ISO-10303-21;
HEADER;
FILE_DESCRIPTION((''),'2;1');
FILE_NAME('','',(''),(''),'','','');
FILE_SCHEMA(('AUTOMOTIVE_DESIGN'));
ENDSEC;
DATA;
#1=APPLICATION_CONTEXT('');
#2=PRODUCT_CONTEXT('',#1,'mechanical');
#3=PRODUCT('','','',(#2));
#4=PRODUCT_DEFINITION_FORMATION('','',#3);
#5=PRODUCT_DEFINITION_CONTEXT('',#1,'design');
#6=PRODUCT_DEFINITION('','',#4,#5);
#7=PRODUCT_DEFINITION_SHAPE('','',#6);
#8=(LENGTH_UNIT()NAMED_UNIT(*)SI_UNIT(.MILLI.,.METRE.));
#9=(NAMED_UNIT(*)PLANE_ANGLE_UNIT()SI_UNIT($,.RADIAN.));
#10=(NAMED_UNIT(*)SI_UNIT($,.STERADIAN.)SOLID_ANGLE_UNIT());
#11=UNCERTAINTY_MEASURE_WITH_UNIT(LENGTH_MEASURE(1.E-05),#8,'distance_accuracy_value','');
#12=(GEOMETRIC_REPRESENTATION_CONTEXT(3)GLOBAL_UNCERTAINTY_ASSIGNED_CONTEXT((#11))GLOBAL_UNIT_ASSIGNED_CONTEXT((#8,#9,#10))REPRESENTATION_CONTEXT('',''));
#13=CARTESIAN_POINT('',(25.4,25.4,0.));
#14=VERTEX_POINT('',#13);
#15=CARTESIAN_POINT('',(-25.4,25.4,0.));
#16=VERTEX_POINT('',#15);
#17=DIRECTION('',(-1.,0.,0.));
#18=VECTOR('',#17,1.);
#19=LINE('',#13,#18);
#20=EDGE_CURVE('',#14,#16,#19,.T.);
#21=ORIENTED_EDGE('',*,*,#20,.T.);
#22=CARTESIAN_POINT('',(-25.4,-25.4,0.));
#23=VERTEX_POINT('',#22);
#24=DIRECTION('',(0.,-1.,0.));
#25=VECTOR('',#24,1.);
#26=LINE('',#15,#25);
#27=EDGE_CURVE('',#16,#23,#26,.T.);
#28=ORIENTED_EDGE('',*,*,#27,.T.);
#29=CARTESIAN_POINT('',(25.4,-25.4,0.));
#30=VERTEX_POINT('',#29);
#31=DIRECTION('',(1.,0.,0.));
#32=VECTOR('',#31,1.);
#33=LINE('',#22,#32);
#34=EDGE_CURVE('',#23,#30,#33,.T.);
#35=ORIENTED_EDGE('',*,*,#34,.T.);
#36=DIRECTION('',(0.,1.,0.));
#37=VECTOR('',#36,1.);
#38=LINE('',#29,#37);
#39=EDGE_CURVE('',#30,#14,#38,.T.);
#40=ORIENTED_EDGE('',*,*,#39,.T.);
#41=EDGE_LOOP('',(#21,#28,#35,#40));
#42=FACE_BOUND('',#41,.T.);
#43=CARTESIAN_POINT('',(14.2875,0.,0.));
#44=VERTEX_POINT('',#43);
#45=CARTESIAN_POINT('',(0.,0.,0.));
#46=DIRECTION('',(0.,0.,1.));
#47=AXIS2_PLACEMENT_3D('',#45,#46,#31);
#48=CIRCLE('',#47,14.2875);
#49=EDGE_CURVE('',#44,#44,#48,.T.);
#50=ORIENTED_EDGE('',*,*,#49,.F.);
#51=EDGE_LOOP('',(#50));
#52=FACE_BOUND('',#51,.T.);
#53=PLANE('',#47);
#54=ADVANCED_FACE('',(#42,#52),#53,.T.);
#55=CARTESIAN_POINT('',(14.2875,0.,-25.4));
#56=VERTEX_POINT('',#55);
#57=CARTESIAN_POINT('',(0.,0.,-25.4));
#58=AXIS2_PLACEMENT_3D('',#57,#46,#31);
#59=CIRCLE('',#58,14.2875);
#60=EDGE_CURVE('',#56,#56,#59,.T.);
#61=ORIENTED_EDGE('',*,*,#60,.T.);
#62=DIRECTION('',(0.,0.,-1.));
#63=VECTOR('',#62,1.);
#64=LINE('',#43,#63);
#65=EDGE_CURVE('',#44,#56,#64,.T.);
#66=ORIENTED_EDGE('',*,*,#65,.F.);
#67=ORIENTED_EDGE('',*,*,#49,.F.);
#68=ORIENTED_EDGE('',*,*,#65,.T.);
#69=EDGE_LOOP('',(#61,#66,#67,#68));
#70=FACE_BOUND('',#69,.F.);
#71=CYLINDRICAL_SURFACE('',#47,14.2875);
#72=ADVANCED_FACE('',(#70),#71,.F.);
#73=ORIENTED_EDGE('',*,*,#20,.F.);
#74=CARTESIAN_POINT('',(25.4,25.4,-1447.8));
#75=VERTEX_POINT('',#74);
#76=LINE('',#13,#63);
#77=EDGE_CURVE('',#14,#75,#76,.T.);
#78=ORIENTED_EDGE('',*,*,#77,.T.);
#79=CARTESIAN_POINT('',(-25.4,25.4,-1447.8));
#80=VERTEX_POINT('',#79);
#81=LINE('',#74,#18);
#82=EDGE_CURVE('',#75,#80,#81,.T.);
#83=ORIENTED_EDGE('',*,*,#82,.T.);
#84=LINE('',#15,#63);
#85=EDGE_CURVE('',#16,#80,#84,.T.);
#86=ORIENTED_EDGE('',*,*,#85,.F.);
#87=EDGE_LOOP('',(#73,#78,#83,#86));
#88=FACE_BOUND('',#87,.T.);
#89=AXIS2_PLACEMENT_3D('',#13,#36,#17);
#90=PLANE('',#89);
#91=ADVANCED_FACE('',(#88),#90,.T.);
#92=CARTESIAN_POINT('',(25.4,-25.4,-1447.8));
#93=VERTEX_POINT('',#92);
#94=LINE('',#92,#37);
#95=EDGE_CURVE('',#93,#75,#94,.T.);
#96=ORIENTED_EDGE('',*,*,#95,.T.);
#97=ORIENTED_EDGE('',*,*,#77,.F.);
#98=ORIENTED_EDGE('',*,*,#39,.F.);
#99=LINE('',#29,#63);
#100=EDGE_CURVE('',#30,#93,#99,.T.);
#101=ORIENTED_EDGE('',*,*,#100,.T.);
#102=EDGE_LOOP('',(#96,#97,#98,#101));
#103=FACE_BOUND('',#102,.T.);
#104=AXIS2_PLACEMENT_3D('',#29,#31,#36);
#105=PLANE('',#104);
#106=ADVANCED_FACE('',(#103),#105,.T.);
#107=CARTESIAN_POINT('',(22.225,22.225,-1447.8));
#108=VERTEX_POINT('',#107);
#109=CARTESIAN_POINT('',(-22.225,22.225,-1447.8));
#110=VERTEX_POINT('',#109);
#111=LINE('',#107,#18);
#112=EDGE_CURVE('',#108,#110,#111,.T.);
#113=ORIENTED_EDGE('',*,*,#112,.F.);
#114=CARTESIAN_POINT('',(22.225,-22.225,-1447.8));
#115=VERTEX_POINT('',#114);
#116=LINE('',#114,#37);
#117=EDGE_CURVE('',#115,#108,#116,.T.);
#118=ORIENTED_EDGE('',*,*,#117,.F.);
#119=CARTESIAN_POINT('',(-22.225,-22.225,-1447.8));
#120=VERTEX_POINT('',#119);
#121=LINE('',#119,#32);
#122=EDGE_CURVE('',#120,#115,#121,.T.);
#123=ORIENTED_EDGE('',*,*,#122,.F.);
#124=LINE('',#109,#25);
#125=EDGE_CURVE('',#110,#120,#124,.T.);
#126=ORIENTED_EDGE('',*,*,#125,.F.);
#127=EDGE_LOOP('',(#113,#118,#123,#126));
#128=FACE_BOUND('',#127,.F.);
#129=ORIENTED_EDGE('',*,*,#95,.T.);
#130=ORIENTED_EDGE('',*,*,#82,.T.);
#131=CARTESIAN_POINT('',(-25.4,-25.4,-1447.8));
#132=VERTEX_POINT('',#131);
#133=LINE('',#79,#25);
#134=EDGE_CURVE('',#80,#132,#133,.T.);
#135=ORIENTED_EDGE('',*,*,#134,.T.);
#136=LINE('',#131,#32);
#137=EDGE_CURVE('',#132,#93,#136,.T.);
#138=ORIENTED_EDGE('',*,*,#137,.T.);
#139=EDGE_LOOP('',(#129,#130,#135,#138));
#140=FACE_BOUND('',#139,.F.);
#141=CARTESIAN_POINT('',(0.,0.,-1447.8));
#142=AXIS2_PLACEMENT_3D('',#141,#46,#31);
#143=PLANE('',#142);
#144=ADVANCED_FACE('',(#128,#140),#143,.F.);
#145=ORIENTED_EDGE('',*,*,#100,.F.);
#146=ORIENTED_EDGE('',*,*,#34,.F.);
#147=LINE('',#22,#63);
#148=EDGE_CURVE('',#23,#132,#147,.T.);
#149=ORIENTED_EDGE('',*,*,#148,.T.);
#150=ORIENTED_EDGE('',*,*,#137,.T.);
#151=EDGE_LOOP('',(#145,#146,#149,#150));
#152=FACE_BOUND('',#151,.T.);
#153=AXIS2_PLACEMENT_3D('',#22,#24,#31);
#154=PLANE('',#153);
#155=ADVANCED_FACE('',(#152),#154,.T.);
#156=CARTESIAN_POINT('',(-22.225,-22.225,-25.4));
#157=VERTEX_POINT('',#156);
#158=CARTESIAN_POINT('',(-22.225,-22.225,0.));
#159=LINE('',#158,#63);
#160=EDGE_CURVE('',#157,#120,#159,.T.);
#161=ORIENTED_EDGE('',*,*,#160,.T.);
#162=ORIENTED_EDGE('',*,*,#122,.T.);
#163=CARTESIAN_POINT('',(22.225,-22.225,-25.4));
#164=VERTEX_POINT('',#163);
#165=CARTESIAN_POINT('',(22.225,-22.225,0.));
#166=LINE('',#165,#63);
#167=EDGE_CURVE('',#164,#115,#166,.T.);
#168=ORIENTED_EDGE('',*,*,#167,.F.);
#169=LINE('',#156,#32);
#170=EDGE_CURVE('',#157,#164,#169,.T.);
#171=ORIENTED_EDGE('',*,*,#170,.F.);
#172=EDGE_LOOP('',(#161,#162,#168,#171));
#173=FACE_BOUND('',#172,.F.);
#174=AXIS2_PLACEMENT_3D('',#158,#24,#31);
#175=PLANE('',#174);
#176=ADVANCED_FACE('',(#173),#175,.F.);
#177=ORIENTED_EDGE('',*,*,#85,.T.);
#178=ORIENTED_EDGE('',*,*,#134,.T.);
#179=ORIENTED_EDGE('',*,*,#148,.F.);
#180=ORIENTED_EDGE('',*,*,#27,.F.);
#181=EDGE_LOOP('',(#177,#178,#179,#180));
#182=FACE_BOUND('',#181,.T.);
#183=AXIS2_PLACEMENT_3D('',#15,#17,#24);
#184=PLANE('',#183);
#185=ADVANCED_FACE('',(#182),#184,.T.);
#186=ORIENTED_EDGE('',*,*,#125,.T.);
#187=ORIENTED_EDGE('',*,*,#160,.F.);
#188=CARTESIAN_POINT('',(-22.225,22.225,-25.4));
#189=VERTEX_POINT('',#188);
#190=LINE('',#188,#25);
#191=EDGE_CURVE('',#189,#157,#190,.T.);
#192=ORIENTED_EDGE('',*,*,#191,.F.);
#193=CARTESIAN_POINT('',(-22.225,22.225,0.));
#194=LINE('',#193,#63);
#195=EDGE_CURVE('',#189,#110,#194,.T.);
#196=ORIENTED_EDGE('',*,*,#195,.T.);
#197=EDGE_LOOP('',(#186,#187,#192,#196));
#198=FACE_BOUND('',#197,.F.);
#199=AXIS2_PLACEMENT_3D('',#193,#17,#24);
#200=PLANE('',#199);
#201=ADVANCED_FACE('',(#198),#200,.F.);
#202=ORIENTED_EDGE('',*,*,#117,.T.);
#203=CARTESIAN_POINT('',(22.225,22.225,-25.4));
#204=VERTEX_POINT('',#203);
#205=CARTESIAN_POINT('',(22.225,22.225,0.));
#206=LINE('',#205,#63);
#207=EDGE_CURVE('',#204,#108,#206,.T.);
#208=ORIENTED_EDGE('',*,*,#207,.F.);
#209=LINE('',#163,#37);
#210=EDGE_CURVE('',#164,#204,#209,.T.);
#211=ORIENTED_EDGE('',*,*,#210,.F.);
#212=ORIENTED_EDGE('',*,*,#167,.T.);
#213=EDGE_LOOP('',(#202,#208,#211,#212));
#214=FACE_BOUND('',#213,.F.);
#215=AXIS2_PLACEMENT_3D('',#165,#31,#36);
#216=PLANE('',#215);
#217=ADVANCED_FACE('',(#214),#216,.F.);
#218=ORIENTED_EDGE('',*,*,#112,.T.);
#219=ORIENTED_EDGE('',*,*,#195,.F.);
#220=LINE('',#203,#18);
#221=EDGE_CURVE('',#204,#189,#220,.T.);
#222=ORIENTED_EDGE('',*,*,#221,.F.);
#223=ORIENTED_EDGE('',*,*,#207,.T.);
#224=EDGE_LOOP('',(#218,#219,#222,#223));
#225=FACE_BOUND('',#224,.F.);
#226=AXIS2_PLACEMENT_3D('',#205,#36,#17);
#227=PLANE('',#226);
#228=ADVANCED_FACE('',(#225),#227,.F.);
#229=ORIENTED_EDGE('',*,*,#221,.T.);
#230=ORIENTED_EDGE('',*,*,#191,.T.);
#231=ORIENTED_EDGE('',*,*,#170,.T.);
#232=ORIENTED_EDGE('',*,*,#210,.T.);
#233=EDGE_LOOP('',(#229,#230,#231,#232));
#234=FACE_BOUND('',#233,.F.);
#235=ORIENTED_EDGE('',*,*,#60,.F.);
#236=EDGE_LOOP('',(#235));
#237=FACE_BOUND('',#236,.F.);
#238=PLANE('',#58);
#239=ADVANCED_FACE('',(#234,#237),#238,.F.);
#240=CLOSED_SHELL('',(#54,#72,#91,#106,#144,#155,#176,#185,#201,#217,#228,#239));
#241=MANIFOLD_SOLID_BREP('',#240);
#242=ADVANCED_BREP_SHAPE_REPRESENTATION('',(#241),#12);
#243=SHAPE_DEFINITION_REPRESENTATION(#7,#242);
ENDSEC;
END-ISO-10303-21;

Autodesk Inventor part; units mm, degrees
ref_plane "YZ Plane" through (0, 0, 0) normal (1, 0, 0) x (0, 1, 0)
ref_plane "XZ Plane" through (0, 0, 0) normal (0, 1, 0) x (-1, 0, 0)
ref_plane "XY Plane" through (0, 0, 0) normal (0, 0, 1) x (1, 0, 0)
sketch "Sketch1" plane through (0, 0, 0) normal (0, 0, 1) x (1, 0, 0)
  line L0 (-25.4, -25.4) -> (25.4, -25.4)
  line L1 (25.4, -25.4) -> (25.4, 25.4)
  line L2 (25.4, 25.4) -> (-25.4, 25.4)
  line L3 (-25.4, 25.4) -> (-25.4, -25.4)
  line L4 (-25.4, -25.4) -> (25.4, 25.4) construction
  line L5 (25.4, -25.4) -> (-25.4, 25.4) construction
  line L6 (-22.225, -22.225) -> (22.225, -22.225)
  line L7 (22.225, -22.225) -> (22.225, 22.225)
  line L8 (22.225, 22.225) -> (-22.225, 22.225)
  line L9 (-22.225, 22.225) -> (-22.225, -22.225)
  line L10 (-22.225, -22.225) -> (22.225, 22.225) construction
  line L11 (22.225, -22.225) -> (-22.225, 22.225) construction
  point P0 (0, 0)
  dimension "d0" = 50.8
  dimension "d1" = 50.8
  dimension "d2" = 3.175
  dimension "d3" = 3.175
extrude "Extrusion1" add sketch "Sketch1" against normal blind 1447.8
sketch "Sketch2" plane through (0, 0, 0) normal (0, 0, 1) x (1, 0, 0)
  circle A0 centre (0, 0) radius 14.2875
  line L0 (-22.225, -22.225) -> (22.225, -22.225)
  line L1 (22.225, -22.225) -> (22.225, 22.225)
  line L2 (22.225, 22.225) -> (-22.225, 22.225)
  line L3 (-22.225, 22.225) -> (-22.225, -22.225)
  line L4 (-22.225, -22.225) -> (22.225, 22.225) construction
  line L5 (22.225, -22.225) -> (-22.225, 22.225) construction
  dimension "d6" = 28.575
extrude "Extrusion2" add sketch "Sketch2" against normal blind 25.4
properties part number "2x2x1_8_tubeForLift" material "Aluminum 6061"
